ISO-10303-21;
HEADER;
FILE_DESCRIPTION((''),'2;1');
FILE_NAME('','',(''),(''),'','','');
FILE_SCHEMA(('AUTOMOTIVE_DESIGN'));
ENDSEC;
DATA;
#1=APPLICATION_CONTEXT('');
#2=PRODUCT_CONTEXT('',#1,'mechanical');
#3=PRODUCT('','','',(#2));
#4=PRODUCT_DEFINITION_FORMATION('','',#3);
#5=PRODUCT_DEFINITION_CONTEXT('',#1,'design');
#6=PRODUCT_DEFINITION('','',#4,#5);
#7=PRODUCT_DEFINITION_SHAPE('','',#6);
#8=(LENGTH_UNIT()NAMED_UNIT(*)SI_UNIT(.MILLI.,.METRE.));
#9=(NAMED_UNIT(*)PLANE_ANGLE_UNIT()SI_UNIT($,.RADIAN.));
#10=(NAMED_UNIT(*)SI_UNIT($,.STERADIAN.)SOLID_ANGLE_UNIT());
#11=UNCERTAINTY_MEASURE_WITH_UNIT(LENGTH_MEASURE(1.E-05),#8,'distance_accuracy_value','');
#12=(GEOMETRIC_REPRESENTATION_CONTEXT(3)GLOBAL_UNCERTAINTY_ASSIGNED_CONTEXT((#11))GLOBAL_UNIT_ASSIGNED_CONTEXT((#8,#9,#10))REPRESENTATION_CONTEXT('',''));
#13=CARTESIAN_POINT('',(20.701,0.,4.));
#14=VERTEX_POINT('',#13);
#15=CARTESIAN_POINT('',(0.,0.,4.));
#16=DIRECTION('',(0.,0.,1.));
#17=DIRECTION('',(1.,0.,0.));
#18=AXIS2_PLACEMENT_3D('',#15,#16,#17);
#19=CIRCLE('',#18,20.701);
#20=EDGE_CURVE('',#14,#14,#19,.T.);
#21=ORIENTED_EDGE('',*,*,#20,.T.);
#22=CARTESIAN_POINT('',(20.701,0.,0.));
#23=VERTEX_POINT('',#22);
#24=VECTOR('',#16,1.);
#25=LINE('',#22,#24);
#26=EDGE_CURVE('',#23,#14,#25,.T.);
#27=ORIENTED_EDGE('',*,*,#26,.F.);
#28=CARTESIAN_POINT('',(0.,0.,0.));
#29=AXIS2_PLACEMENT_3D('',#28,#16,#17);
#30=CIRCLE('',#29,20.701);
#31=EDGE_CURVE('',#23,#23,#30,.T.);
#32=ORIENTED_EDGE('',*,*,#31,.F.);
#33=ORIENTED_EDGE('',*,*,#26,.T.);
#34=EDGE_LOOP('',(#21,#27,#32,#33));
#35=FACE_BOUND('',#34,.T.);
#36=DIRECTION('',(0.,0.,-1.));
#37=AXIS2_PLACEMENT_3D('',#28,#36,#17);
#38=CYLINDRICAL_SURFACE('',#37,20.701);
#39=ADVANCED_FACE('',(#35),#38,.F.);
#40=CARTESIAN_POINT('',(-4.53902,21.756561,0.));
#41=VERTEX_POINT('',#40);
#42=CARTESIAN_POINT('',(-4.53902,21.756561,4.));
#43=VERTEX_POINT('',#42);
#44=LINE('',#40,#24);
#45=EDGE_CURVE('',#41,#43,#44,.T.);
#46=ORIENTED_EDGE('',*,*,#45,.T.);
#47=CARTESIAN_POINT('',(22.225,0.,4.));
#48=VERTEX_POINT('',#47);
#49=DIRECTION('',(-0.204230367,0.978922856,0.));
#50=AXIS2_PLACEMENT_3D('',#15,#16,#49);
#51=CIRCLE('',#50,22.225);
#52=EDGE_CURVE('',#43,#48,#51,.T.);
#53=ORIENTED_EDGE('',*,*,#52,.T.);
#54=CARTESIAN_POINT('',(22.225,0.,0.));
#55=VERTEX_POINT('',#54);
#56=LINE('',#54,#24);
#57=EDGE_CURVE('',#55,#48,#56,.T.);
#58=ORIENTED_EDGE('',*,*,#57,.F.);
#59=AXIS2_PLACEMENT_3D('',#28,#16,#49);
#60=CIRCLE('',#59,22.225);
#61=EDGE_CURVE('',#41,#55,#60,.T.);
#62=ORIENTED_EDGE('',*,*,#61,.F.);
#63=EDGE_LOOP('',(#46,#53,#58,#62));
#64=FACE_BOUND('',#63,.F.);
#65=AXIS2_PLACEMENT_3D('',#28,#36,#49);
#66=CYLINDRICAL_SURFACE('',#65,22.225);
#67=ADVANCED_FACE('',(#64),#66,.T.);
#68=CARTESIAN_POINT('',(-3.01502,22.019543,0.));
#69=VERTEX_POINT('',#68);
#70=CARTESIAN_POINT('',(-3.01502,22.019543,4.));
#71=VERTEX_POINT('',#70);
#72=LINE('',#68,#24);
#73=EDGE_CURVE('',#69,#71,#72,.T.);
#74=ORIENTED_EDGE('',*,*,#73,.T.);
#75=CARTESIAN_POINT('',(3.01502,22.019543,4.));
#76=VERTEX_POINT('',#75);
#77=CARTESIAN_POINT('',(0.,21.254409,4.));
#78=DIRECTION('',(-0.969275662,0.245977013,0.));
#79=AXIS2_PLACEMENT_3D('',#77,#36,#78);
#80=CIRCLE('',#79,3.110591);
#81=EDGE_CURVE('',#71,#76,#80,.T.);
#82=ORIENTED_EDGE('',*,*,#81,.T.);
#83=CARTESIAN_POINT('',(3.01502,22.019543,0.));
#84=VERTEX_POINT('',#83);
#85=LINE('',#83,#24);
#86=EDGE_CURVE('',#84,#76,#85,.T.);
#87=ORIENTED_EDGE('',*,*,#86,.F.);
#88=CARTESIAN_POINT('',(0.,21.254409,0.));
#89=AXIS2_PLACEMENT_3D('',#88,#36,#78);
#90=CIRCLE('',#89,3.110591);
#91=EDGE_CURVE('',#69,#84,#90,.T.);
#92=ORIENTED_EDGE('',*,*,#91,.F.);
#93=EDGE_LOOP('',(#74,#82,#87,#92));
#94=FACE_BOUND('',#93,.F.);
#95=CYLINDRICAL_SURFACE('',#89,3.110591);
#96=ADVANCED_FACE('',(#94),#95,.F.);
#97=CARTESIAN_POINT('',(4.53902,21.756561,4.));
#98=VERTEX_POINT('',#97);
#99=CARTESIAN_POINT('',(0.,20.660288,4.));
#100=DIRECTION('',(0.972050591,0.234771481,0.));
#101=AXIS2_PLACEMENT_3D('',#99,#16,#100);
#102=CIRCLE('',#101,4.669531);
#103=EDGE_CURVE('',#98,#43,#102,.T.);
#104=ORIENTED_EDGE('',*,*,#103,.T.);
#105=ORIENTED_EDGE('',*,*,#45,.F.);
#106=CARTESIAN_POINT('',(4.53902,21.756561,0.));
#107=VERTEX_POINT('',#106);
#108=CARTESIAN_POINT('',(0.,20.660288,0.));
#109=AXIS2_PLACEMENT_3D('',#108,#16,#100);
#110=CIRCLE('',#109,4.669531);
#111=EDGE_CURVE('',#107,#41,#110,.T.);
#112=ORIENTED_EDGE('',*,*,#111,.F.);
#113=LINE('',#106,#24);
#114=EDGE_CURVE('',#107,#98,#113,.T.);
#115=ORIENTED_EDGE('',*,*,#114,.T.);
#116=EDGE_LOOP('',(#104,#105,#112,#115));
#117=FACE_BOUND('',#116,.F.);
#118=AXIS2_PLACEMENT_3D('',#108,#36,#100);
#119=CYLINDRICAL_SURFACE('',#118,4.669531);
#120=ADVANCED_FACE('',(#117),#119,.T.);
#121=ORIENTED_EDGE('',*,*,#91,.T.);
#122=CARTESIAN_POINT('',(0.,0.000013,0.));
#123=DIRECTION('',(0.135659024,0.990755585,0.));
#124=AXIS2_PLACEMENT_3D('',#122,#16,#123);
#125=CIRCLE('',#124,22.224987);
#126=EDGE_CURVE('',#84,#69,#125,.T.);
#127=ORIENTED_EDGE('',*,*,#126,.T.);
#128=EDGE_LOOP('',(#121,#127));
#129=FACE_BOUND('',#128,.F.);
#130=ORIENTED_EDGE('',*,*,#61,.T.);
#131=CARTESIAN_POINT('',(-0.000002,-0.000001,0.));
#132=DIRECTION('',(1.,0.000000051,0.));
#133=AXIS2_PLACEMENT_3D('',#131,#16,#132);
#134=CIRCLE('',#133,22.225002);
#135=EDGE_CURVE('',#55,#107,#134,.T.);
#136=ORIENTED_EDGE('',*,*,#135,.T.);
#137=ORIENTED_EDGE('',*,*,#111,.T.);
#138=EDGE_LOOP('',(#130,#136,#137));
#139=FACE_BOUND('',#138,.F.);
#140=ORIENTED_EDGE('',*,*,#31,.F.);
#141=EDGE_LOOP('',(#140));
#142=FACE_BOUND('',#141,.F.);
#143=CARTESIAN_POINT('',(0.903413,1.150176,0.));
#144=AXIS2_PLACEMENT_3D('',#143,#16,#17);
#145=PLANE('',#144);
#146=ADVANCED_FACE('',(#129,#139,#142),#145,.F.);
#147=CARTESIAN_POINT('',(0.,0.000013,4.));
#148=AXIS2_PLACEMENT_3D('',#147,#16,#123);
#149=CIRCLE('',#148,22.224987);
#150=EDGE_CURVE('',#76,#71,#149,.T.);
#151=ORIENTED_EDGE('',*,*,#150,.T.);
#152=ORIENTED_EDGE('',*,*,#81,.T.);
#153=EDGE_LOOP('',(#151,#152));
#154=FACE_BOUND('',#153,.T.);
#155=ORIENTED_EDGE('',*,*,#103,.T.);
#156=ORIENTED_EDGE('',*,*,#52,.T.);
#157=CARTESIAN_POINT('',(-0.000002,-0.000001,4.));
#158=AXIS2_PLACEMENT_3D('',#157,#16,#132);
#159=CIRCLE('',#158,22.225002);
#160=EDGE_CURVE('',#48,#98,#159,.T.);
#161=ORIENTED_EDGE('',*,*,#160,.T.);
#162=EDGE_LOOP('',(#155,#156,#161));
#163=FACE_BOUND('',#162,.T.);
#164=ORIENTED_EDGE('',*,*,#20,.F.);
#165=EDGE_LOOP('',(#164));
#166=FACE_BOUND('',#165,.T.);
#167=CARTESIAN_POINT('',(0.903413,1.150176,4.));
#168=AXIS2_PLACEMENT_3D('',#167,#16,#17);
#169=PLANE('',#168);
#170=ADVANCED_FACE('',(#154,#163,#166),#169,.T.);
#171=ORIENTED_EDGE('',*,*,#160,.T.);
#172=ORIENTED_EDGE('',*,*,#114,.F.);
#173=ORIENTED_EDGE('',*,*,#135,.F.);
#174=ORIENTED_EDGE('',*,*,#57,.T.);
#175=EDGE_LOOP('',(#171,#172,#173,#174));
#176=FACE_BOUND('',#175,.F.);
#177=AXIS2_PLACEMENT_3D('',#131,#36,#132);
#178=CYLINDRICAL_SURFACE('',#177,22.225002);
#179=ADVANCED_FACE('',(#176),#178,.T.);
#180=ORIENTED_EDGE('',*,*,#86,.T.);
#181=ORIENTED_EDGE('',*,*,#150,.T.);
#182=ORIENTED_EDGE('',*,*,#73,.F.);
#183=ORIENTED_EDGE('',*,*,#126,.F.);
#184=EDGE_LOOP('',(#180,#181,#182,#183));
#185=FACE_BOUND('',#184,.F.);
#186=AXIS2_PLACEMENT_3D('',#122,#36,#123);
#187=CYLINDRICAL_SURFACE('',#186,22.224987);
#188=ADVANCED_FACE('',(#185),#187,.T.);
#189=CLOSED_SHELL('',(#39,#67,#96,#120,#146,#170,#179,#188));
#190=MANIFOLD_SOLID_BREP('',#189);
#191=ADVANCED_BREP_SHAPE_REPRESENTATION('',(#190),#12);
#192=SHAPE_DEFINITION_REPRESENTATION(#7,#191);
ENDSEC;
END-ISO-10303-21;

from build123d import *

# Parameters (mm, degrees)
F0_R     = 20.701
F1_DEPTH = 4


with BuildPart() as f1:
    # F0 (on Top) → F1 (new body)
    with BuildSketch(Plane.XY):
        with BuildLine():
            ThreePointArc((-4.53902, 21.756561), (-14.01911, -17.245729), (22.225, 0))
            ThreePointArc((22.225, 0), (17.245729, 14.01911), (4.53902, 21.756561))
            ThreePointArc((4.53902, 21.756561), (3.779308, 21.901312), (3.01502, 22.019543))
            ThreePointArc((3.01502, 22.019543), (0, 22.225), (-3.01502, 22.019543))
            ThreePointArc((-3.01502, 22.019543), (-3.779308, 21.901312), (-4.53902, 21.756561))
        make_face()
        Circle(F0_R, mode=Mode.SUBTRACT)
        with BuildLine():
            ThreePointArc((3.01502, 22.019543), (3.779308, 21.901312), (4.53902, 21.756561))
            ThreePointArc((4.53902, 21.756561), (0, 25.329819), (-4.53902, 21.756561))
            ThreePointArc((-4.53902, 21.756561), (-3.779308, 21.901312), (-3.01502, 22.019543))
            ThreePointArc((-3.01502, 22.019543), (0, 24.365), (3.01502, 22.019543))
        make_face()
    extrude(amount=F1_DEPTH)


solid = f1.part
